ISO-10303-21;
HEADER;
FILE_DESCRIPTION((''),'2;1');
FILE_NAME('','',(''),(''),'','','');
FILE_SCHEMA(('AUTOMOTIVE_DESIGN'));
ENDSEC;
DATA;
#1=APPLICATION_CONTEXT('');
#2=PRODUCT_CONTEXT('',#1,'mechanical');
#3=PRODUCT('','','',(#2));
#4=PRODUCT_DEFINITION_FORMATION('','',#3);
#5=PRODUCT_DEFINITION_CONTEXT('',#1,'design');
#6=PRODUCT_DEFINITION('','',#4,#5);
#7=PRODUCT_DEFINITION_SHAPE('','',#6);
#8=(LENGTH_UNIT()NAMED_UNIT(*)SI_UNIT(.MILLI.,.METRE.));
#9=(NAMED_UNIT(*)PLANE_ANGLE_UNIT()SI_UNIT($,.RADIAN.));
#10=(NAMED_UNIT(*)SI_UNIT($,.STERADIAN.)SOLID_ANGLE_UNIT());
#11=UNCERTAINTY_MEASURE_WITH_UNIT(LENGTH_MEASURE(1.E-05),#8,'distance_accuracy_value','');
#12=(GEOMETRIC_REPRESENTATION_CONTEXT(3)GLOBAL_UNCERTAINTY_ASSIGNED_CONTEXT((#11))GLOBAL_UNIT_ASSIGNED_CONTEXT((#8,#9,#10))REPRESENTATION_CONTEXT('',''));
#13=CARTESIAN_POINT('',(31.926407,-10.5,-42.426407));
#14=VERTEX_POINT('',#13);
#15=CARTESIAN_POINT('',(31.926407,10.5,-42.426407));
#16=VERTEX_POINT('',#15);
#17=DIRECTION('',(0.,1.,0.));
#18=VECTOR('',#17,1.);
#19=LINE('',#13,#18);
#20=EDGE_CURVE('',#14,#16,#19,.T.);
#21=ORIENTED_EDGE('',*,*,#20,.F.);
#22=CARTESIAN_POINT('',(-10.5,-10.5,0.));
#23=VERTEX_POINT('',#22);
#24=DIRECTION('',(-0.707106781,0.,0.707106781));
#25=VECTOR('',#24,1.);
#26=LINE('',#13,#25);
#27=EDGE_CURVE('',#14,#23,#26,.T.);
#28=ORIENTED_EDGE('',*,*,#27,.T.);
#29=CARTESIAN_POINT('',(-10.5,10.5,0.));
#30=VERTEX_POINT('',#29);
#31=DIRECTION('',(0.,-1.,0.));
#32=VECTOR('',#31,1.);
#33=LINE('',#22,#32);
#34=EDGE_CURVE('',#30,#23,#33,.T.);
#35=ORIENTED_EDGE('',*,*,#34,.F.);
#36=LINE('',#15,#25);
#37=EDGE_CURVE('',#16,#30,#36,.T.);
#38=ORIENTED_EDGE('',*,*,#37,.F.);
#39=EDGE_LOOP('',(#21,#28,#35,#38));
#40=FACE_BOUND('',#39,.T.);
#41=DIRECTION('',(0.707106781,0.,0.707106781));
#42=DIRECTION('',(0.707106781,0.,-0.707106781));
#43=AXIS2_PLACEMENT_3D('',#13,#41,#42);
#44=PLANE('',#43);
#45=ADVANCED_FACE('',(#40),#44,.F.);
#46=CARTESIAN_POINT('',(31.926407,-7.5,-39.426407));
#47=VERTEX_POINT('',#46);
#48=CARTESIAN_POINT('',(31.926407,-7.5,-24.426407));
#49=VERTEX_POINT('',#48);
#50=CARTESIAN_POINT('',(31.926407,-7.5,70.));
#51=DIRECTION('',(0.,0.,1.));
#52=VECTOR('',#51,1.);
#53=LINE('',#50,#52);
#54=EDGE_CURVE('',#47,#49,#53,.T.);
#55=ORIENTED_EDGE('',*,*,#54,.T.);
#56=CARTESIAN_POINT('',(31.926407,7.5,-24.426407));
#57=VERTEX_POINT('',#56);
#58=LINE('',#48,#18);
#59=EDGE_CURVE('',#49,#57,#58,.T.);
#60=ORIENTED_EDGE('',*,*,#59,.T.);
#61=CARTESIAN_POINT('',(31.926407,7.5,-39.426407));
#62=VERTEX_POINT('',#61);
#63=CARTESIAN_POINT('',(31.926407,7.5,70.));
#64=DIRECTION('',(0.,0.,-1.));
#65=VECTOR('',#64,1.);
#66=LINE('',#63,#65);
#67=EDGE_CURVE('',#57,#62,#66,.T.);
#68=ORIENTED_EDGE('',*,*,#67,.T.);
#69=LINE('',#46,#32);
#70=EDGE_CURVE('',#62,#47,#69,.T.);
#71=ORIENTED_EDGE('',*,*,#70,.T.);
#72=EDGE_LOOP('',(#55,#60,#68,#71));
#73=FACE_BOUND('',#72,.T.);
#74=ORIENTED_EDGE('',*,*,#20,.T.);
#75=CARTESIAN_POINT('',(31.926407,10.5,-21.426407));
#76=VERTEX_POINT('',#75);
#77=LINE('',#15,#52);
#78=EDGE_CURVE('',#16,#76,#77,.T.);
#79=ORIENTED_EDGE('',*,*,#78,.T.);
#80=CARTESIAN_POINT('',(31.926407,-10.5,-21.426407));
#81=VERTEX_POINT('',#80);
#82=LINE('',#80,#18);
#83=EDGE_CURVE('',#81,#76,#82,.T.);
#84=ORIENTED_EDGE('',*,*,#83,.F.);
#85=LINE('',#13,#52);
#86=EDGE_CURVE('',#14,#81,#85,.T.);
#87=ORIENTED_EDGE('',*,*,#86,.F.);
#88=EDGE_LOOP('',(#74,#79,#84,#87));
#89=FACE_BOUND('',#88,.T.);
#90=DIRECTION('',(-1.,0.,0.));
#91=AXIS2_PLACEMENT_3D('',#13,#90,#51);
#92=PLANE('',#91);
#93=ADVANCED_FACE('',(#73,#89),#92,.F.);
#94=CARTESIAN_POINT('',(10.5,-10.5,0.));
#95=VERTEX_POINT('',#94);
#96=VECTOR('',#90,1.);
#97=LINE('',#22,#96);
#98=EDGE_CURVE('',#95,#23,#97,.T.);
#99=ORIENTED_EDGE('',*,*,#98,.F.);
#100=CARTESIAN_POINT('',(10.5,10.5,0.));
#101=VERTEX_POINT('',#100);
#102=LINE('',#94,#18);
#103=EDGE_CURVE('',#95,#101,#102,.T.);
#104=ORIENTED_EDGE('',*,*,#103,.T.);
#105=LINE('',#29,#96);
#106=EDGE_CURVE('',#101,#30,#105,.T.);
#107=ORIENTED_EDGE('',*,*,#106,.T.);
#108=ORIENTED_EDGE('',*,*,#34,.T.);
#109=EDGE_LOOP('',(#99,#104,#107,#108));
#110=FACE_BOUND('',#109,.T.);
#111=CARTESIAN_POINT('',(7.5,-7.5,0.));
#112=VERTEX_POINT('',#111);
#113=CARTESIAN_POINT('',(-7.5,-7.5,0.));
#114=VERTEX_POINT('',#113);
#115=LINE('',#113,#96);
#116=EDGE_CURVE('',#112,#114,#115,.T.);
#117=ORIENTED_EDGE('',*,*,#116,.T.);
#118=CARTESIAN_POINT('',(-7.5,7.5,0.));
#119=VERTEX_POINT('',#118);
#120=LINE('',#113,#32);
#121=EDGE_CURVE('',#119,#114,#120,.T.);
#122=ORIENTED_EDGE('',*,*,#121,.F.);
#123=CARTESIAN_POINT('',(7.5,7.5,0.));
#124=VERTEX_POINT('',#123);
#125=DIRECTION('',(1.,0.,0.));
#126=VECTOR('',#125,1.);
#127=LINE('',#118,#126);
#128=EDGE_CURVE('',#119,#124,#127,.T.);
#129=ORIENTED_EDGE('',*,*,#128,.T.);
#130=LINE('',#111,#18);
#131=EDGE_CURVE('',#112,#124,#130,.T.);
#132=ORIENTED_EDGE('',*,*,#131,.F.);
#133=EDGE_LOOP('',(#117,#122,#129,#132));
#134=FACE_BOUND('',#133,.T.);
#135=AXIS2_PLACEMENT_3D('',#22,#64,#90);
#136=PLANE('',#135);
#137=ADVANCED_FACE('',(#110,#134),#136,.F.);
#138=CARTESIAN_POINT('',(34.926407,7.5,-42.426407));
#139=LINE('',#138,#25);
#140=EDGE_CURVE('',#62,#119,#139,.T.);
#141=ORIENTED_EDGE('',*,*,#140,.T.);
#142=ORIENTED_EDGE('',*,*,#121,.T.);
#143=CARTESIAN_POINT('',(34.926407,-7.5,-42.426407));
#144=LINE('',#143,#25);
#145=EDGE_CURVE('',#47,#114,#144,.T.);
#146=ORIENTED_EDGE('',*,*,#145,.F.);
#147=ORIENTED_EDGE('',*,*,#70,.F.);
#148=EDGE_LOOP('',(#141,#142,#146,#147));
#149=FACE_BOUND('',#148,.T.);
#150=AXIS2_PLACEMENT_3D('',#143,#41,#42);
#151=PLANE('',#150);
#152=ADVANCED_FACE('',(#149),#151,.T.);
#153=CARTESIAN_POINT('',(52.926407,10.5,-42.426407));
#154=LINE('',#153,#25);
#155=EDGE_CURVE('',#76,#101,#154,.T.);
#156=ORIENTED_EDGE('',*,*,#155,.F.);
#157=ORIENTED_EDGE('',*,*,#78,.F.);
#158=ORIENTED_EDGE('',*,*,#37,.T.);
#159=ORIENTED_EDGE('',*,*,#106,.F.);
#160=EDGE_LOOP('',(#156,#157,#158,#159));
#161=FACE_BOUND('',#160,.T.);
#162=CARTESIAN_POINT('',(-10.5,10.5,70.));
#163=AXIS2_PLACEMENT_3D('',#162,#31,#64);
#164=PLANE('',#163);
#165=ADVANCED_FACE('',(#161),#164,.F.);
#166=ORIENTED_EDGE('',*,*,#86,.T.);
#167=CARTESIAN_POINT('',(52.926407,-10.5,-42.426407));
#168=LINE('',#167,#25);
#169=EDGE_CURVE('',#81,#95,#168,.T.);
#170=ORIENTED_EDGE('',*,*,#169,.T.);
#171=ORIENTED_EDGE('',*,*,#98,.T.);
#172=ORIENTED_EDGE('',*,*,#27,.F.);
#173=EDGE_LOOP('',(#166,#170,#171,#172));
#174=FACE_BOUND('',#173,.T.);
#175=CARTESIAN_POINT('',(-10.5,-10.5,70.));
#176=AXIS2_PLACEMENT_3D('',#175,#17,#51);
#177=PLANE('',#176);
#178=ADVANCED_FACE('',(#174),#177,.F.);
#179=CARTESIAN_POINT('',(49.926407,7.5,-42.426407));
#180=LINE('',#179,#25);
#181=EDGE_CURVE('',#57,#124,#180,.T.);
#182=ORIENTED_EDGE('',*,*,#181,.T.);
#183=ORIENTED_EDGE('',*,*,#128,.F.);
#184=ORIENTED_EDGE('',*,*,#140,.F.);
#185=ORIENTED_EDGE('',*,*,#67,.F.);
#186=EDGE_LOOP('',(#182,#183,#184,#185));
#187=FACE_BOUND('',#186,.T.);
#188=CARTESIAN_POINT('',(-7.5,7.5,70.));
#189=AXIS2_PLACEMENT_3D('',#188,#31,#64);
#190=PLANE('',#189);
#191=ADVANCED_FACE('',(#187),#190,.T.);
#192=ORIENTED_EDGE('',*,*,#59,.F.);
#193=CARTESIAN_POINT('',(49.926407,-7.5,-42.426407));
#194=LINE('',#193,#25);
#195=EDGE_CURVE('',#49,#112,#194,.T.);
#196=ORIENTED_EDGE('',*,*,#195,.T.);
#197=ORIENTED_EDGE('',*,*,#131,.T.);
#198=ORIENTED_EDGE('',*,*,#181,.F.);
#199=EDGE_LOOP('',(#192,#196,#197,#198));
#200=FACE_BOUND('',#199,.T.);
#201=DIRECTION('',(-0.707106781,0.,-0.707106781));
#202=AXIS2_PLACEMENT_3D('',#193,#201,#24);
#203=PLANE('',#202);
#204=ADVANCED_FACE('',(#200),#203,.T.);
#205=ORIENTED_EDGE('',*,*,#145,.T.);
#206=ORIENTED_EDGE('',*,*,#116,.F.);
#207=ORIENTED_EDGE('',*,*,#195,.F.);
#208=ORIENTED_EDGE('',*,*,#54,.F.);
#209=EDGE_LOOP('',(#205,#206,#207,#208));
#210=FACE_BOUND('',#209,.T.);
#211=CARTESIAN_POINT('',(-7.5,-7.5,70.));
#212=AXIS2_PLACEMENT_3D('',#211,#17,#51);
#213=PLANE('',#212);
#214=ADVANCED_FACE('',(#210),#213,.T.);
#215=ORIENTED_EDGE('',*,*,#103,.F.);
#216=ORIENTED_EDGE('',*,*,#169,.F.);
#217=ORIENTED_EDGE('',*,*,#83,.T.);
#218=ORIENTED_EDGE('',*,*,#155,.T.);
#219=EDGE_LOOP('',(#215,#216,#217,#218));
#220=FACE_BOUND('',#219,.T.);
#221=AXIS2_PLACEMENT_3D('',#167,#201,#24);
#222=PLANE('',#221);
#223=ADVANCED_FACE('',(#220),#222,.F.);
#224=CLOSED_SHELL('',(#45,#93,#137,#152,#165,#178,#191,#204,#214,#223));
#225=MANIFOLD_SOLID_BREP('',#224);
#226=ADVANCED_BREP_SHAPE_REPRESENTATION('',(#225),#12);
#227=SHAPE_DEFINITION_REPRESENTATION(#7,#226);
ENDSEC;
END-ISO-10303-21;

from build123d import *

# Parameters (mm, degrees)
CROQUIS1_W              = 21
CROQUIS1_H              = 21
CROQUIS1_W_2            = 15
CROQUIS1_H_2            = 15
SALIENTE_EXTRUIR1_DEPTH = 70
CROQUIS6_W              = 21
CROQUIS6_H              = 21
CROQUIS6_W_2            = 15
CROQUIS6_H_2            = 15
SALIENTE_EXTRUIR2_DEPTH = 60
CORTAR_EXTRUIR2_DEPTH   = 91.234165061
CROQUIS8_W              = 21
CROQUIS8_H              = 21
CROQUIS8_W_2            = 15
CROQUIS8_H_2            = 15
SALIENTE_EXTRUIR3_DEPTH = 60
CROQUIS9_W              = 21
CROQUIS9_H              = 70
CROQUIS9_W_2            = 60
CROQUIS9_H_2            = 21
CORTAR_EXTRUIR3_DEPTH   = 118.437065189


with BuildPart() as part:
    # Croquis1 → Saliente-Extruir1 (new body)
    with BuildSketch(Plane.XY):
        Rectangle(CROQUIS1_W, CROQUIS1_H)
        Rectangle(CROQUIS1_W_2, CROQUIS1_H_2, mode=Mode.SUBTRACT)
    extrude(amount=SALIENTE_EXTRUIR1_DEPTH)

    # Croquis6 → Saliente-Extruir2 (add, along a direction that is not the sketch's normal)
    with BuildSketch(Plane(origin=(0, 0, 0), x_dir=(-1, 0, 0), z_dir=(0, 0, -1))):
        Rectangle(CROQUIS6_W, CROQUIS6_H)
        Rectangle(CROQUIS6_W_2, CROQUIS6_H_2, mode=Mode.SUBTRACT)
    extrude(amount=SALIENTE_EXTRUIR2_DEPTH, dir=(0.7071067811865512, 0, -0.7071067811865438))

    # Croquis7 → Cortar-Extruir2 (cut, through all)
    with BuildSketch(Plane(origin=(0, 10.5, 0), x_dir=(1, 0, 0), z_dir=(0, 1, 0))):
        Polygon((31.926406871, 42.426406871), (31.926406871, 21.426406871), (52.926406871, 42.426406871), align=None)
    extrude(amount=-CORTAR_EXTRUIR2_DEPTH, mode=Mode.SUBTRACT)

    # Croquis8 → Saliente-Extruir3 (add)
    with BuildSketch(Plane(origin=(31.926406871, 0, 0), x_dir=(0, 0, -1), z_dir=(1, 0, 0))):
        with Locations((31.926406871, 0)):
            Rectangle(CROQUIS8_W, CROQUIS8_H)
        with Locations((31.926406871, 0)):
            Rectangle(CROQUIS8_W_2, CROQUIS8_H_2, mode=Mode.SUBTRACT)
    extrude(amount=SALIENTE_EXTRUIR3_DEPTH)

    # Croquis9 → Cortar-Extruir3 (cut, through all)
    with BuildSketch(Plane(origin=(0, 10.5, 0), x_dir=(1, 0, 0), z_dir=(0, 1, 0))):
        with Locations((0, -35)):
            Rectangle(CROQUIS9_W, CROQUIS9_H)
        with Locations((61.926406871, 31.926406871)):
            Rectangle(CROQUIS9_W_2, CROQUIS9_H_2)
    extrude(amount=-CORTAR_EXTRUIR3_DEPTH, mode=Mode.SUBTRACT)


solid = part.part
